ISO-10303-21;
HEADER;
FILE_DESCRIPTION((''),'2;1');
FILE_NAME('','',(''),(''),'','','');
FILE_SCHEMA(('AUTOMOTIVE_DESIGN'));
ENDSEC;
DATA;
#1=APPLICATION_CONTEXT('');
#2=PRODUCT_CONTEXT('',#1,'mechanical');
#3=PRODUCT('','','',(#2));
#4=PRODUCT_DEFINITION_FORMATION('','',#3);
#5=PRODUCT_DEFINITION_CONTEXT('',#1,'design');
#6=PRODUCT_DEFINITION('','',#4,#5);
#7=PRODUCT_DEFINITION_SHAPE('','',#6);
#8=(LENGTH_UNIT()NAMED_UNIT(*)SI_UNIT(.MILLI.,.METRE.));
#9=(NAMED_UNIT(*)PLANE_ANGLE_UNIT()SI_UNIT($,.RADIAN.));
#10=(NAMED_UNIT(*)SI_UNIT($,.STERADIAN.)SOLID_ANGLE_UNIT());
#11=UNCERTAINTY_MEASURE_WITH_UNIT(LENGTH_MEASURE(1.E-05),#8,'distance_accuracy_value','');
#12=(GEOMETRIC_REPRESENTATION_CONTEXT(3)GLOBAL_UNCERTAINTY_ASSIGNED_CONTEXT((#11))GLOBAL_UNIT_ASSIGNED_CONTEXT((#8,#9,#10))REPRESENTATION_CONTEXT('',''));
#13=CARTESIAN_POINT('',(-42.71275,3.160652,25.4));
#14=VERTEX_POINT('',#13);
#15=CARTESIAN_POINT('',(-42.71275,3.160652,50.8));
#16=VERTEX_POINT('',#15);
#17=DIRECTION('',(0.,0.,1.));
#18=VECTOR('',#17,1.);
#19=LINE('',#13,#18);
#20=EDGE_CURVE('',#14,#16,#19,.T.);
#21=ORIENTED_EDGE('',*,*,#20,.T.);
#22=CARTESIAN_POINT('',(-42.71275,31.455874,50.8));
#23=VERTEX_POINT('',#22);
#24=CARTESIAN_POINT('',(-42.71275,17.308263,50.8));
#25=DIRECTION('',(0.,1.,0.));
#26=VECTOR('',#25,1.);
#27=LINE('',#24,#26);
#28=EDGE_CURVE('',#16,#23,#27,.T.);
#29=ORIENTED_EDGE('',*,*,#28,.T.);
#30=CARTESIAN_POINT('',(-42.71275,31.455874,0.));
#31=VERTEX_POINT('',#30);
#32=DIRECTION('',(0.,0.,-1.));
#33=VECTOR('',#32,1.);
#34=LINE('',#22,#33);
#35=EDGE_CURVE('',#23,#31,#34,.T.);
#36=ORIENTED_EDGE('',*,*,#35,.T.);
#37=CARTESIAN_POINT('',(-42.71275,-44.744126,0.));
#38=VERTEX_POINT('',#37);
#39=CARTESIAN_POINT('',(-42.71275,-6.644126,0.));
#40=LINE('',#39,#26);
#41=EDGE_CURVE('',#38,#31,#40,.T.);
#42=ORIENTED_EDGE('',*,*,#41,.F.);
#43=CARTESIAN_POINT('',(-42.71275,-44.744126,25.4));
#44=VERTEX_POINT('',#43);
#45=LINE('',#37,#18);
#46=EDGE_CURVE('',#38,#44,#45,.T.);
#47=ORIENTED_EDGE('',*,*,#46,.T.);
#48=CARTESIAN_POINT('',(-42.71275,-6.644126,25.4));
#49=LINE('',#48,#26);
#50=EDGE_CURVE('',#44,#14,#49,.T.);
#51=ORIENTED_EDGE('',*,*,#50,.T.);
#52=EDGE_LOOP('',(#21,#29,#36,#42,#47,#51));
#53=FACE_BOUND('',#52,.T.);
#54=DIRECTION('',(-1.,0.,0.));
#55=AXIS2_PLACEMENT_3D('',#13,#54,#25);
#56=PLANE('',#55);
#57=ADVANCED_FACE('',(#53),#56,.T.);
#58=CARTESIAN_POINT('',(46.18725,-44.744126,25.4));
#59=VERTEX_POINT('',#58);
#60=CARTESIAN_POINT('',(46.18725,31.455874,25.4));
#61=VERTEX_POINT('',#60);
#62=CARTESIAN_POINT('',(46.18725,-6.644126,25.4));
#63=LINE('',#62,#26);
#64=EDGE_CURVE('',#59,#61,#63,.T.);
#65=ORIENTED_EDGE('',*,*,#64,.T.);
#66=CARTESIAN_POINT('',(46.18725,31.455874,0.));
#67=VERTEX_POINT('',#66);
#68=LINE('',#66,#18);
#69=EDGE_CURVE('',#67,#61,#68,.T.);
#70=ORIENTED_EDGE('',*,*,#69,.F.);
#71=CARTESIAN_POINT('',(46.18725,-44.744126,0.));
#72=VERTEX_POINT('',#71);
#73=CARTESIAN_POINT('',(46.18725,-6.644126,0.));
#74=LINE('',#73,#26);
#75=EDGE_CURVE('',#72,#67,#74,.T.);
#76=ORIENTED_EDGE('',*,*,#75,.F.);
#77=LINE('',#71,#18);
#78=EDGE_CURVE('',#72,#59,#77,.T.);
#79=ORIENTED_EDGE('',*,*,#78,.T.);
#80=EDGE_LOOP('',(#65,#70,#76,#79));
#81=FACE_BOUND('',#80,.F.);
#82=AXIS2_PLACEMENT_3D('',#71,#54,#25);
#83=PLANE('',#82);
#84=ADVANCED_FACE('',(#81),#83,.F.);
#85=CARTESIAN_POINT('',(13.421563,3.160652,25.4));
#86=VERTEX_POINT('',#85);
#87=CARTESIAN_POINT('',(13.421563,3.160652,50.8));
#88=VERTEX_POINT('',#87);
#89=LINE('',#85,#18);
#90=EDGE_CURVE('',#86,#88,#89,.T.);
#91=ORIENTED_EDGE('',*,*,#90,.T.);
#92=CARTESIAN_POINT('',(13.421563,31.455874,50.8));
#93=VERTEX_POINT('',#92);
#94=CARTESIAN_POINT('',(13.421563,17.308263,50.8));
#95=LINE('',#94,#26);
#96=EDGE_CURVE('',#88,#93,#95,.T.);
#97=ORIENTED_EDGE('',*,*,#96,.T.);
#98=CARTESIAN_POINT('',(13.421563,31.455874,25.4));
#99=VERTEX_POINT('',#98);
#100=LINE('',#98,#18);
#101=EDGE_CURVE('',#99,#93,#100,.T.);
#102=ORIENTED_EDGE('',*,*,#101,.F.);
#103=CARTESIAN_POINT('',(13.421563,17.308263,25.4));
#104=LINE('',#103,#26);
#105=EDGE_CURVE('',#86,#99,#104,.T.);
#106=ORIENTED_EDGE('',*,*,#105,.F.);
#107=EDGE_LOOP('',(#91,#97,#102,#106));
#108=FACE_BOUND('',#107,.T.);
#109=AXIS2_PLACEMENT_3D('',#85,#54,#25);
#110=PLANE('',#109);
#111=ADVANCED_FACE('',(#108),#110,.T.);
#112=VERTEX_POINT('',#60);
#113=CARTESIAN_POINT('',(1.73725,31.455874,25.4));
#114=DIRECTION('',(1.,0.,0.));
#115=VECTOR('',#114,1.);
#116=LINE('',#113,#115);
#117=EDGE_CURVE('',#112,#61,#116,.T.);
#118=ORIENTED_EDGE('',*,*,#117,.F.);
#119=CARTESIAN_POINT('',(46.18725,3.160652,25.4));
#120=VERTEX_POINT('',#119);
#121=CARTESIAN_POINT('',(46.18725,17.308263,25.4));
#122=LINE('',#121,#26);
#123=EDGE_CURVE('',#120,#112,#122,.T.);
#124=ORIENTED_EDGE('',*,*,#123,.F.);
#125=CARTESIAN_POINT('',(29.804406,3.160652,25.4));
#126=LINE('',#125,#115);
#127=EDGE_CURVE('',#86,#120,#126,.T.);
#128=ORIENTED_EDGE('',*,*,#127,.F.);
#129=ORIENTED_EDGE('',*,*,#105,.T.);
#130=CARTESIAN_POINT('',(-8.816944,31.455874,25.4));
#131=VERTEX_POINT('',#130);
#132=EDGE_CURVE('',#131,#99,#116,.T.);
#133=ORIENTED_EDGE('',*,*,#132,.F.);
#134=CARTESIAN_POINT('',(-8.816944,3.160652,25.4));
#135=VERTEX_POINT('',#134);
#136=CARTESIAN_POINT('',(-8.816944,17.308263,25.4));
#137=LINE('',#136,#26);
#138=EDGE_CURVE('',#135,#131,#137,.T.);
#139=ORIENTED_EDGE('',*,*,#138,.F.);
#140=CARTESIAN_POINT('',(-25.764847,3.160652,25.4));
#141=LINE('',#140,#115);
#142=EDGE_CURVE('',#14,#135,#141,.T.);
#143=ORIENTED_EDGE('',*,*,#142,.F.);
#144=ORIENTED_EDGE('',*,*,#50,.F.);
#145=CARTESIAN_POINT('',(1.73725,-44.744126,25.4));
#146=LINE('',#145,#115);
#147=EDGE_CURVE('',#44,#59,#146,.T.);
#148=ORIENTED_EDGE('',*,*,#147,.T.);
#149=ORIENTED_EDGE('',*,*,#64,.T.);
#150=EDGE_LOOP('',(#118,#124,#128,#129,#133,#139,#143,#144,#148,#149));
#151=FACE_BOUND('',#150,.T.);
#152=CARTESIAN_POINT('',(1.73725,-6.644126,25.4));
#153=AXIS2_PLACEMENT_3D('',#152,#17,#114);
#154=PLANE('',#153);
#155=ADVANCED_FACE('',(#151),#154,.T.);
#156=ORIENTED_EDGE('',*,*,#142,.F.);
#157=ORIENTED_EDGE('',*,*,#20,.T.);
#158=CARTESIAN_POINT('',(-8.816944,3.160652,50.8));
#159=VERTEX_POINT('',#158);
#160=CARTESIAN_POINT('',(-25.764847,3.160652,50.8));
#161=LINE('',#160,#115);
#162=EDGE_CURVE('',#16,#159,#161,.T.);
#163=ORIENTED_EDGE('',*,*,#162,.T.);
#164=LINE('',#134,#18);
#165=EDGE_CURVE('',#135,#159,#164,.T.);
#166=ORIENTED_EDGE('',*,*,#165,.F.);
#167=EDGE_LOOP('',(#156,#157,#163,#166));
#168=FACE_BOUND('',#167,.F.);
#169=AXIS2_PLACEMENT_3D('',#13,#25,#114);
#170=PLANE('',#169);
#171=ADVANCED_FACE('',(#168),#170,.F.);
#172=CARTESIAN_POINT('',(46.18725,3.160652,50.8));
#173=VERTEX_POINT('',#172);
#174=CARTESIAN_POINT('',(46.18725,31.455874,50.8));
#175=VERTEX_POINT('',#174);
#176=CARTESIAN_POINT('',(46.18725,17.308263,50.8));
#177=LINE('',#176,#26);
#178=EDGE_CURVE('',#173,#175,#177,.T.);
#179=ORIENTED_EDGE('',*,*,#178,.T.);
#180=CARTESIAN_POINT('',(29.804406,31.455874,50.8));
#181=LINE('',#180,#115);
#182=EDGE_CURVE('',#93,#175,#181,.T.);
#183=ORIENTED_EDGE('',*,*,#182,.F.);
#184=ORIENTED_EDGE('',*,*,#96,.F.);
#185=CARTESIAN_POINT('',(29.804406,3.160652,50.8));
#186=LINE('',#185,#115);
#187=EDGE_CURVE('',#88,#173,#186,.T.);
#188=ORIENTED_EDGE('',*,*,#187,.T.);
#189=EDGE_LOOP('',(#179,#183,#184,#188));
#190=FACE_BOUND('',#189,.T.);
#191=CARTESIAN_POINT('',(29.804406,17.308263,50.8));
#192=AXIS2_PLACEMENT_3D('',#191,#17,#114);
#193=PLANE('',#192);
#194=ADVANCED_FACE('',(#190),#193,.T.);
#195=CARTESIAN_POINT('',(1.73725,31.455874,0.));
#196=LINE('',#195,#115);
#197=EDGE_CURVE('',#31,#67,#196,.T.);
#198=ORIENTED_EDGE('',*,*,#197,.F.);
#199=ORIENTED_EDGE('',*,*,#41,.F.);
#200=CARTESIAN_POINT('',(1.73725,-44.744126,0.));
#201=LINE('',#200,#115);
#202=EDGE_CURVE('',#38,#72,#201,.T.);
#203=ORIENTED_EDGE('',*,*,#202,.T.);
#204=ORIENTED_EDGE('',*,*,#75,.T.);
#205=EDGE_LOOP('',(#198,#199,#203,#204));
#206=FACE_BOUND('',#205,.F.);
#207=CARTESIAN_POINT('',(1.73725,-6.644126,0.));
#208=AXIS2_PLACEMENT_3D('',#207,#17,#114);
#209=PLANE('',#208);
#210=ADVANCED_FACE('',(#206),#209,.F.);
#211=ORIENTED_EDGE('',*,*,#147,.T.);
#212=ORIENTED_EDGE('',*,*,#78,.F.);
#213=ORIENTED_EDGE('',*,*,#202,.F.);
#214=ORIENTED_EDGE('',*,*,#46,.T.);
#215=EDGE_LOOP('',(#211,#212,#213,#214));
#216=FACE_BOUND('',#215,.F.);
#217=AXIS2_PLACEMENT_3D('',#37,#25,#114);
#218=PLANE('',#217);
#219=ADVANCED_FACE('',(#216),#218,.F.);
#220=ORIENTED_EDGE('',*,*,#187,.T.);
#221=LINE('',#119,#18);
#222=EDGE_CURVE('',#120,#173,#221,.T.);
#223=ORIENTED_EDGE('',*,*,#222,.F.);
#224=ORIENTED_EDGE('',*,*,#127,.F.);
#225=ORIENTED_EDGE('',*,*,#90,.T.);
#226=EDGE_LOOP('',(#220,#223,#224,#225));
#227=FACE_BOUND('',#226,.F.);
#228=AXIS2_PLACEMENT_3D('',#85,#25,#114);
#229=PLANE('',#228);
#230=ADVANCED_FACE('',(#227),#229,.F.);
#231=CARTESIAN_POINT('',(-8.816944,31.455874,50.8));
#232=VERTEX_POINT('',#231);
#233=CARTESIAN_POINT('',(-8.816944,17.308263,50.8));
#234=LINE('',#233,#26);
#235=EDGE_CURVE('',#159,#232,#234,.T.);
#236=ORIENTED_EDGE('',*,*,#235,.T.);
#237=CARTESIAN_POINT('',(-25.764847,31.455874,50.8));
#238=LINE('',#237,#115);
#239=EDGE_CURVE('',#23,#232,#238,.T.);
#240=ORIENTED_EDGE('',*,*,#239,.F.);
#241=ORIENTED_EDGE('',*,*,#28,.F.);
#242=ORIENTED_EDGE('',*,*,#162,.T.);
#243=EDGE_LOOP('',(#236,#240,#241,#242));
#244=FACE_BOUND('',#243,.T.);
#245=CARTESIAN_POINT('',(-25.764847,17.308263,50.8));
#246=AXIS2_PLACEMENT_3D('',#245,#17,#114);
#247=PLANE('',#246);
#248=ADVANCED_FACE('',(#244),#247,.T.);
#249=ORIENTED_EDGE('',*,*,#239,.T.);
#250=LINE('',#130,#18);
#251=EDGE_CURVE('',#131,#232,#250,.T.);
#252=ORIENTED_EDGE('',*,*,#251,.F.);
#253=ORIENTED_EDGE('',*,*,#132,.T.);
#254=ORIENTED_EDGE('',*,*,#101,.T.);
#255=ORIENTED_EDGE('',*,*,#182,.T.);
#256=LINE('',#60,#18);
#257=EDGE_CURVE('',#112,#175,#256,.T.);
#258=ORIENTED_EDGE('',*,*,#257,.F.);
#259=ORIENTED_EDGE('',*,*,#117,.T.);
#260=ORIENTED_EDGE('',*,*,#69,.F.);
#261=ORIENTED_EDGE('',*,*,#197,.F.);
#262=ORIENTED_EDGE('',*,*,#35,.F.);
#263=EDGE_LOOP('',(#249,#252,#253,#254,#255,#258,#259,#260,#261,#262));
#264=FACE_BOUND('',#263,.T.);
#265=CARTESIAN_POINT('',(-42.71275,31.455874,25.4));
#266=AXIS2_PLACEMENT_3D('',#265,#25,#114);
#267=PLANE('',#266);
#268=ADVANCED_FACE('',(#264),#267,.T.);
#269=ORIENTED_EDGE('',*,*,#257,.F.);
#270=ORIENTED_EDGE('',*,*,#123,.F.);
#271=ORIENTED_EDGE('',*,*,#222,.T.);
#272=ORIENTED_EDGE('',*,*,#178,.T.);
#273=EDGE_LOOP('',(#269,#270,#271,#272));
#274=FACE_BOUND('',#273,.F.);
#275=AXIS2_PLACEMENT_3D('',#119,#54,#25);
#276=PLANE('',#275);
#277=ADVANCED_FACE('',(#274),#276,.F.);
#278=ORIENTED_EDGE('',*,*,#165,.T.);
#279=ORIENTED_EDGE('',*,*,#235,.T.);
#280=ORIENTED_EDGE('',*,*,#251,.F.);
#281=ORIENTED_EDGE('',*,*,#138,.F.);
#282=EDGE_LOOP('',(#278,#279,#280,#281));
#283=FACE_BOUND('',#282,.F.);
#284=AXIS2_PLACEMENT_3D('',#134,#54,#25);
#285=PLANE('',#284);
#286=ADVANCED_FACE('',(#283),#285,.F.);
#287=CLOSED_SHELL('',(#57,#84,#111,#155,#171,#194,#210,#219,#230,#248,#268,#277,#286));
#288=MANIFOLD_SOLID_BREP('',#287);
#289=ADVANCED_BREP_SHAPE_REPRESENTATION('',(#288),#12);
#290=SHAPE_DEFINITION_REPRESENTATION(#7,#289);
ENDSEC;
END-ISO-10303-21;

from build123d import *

# Parameters (mm, degrees)
F0_W     = 88.9
F0_H     = 76.2
F1_DEPTH = 25.4
F2_W     = 33.895806
F2_H     = 28.295222
F3_DEPTH = 25.4
F2_W_2   = 32.765687
F4_DEPTH = 25.4


with BuildPart() as f1:
    # F0 (on Top) → F1 (new body)
    with BuildSketch(Plane.XY):
        with Locations((1.73725, -6.644126)):
            Rectangle(F0_W, F0_H)
    extrude(amount=F1_DEPTH)

    # F2 (on face) → F3 (join)
    with BuildSketch(Plane.XY.offset(25.4)):
        with Locations((-25.764847, 17.308263)):
            Rectangle(F2_W, F2_H)
    extrude(amount=F3_DEPTH)

    # F2 (on face) → F4 (join)
    with BuildSketch(Plane.XY.offset(25.4)):
        with Locations((29.804406, 17.308263)):
            Rectangle(F2_W_2, F2_H)
    extrude(amount=F4_DEPTH)


solid = f1.part
